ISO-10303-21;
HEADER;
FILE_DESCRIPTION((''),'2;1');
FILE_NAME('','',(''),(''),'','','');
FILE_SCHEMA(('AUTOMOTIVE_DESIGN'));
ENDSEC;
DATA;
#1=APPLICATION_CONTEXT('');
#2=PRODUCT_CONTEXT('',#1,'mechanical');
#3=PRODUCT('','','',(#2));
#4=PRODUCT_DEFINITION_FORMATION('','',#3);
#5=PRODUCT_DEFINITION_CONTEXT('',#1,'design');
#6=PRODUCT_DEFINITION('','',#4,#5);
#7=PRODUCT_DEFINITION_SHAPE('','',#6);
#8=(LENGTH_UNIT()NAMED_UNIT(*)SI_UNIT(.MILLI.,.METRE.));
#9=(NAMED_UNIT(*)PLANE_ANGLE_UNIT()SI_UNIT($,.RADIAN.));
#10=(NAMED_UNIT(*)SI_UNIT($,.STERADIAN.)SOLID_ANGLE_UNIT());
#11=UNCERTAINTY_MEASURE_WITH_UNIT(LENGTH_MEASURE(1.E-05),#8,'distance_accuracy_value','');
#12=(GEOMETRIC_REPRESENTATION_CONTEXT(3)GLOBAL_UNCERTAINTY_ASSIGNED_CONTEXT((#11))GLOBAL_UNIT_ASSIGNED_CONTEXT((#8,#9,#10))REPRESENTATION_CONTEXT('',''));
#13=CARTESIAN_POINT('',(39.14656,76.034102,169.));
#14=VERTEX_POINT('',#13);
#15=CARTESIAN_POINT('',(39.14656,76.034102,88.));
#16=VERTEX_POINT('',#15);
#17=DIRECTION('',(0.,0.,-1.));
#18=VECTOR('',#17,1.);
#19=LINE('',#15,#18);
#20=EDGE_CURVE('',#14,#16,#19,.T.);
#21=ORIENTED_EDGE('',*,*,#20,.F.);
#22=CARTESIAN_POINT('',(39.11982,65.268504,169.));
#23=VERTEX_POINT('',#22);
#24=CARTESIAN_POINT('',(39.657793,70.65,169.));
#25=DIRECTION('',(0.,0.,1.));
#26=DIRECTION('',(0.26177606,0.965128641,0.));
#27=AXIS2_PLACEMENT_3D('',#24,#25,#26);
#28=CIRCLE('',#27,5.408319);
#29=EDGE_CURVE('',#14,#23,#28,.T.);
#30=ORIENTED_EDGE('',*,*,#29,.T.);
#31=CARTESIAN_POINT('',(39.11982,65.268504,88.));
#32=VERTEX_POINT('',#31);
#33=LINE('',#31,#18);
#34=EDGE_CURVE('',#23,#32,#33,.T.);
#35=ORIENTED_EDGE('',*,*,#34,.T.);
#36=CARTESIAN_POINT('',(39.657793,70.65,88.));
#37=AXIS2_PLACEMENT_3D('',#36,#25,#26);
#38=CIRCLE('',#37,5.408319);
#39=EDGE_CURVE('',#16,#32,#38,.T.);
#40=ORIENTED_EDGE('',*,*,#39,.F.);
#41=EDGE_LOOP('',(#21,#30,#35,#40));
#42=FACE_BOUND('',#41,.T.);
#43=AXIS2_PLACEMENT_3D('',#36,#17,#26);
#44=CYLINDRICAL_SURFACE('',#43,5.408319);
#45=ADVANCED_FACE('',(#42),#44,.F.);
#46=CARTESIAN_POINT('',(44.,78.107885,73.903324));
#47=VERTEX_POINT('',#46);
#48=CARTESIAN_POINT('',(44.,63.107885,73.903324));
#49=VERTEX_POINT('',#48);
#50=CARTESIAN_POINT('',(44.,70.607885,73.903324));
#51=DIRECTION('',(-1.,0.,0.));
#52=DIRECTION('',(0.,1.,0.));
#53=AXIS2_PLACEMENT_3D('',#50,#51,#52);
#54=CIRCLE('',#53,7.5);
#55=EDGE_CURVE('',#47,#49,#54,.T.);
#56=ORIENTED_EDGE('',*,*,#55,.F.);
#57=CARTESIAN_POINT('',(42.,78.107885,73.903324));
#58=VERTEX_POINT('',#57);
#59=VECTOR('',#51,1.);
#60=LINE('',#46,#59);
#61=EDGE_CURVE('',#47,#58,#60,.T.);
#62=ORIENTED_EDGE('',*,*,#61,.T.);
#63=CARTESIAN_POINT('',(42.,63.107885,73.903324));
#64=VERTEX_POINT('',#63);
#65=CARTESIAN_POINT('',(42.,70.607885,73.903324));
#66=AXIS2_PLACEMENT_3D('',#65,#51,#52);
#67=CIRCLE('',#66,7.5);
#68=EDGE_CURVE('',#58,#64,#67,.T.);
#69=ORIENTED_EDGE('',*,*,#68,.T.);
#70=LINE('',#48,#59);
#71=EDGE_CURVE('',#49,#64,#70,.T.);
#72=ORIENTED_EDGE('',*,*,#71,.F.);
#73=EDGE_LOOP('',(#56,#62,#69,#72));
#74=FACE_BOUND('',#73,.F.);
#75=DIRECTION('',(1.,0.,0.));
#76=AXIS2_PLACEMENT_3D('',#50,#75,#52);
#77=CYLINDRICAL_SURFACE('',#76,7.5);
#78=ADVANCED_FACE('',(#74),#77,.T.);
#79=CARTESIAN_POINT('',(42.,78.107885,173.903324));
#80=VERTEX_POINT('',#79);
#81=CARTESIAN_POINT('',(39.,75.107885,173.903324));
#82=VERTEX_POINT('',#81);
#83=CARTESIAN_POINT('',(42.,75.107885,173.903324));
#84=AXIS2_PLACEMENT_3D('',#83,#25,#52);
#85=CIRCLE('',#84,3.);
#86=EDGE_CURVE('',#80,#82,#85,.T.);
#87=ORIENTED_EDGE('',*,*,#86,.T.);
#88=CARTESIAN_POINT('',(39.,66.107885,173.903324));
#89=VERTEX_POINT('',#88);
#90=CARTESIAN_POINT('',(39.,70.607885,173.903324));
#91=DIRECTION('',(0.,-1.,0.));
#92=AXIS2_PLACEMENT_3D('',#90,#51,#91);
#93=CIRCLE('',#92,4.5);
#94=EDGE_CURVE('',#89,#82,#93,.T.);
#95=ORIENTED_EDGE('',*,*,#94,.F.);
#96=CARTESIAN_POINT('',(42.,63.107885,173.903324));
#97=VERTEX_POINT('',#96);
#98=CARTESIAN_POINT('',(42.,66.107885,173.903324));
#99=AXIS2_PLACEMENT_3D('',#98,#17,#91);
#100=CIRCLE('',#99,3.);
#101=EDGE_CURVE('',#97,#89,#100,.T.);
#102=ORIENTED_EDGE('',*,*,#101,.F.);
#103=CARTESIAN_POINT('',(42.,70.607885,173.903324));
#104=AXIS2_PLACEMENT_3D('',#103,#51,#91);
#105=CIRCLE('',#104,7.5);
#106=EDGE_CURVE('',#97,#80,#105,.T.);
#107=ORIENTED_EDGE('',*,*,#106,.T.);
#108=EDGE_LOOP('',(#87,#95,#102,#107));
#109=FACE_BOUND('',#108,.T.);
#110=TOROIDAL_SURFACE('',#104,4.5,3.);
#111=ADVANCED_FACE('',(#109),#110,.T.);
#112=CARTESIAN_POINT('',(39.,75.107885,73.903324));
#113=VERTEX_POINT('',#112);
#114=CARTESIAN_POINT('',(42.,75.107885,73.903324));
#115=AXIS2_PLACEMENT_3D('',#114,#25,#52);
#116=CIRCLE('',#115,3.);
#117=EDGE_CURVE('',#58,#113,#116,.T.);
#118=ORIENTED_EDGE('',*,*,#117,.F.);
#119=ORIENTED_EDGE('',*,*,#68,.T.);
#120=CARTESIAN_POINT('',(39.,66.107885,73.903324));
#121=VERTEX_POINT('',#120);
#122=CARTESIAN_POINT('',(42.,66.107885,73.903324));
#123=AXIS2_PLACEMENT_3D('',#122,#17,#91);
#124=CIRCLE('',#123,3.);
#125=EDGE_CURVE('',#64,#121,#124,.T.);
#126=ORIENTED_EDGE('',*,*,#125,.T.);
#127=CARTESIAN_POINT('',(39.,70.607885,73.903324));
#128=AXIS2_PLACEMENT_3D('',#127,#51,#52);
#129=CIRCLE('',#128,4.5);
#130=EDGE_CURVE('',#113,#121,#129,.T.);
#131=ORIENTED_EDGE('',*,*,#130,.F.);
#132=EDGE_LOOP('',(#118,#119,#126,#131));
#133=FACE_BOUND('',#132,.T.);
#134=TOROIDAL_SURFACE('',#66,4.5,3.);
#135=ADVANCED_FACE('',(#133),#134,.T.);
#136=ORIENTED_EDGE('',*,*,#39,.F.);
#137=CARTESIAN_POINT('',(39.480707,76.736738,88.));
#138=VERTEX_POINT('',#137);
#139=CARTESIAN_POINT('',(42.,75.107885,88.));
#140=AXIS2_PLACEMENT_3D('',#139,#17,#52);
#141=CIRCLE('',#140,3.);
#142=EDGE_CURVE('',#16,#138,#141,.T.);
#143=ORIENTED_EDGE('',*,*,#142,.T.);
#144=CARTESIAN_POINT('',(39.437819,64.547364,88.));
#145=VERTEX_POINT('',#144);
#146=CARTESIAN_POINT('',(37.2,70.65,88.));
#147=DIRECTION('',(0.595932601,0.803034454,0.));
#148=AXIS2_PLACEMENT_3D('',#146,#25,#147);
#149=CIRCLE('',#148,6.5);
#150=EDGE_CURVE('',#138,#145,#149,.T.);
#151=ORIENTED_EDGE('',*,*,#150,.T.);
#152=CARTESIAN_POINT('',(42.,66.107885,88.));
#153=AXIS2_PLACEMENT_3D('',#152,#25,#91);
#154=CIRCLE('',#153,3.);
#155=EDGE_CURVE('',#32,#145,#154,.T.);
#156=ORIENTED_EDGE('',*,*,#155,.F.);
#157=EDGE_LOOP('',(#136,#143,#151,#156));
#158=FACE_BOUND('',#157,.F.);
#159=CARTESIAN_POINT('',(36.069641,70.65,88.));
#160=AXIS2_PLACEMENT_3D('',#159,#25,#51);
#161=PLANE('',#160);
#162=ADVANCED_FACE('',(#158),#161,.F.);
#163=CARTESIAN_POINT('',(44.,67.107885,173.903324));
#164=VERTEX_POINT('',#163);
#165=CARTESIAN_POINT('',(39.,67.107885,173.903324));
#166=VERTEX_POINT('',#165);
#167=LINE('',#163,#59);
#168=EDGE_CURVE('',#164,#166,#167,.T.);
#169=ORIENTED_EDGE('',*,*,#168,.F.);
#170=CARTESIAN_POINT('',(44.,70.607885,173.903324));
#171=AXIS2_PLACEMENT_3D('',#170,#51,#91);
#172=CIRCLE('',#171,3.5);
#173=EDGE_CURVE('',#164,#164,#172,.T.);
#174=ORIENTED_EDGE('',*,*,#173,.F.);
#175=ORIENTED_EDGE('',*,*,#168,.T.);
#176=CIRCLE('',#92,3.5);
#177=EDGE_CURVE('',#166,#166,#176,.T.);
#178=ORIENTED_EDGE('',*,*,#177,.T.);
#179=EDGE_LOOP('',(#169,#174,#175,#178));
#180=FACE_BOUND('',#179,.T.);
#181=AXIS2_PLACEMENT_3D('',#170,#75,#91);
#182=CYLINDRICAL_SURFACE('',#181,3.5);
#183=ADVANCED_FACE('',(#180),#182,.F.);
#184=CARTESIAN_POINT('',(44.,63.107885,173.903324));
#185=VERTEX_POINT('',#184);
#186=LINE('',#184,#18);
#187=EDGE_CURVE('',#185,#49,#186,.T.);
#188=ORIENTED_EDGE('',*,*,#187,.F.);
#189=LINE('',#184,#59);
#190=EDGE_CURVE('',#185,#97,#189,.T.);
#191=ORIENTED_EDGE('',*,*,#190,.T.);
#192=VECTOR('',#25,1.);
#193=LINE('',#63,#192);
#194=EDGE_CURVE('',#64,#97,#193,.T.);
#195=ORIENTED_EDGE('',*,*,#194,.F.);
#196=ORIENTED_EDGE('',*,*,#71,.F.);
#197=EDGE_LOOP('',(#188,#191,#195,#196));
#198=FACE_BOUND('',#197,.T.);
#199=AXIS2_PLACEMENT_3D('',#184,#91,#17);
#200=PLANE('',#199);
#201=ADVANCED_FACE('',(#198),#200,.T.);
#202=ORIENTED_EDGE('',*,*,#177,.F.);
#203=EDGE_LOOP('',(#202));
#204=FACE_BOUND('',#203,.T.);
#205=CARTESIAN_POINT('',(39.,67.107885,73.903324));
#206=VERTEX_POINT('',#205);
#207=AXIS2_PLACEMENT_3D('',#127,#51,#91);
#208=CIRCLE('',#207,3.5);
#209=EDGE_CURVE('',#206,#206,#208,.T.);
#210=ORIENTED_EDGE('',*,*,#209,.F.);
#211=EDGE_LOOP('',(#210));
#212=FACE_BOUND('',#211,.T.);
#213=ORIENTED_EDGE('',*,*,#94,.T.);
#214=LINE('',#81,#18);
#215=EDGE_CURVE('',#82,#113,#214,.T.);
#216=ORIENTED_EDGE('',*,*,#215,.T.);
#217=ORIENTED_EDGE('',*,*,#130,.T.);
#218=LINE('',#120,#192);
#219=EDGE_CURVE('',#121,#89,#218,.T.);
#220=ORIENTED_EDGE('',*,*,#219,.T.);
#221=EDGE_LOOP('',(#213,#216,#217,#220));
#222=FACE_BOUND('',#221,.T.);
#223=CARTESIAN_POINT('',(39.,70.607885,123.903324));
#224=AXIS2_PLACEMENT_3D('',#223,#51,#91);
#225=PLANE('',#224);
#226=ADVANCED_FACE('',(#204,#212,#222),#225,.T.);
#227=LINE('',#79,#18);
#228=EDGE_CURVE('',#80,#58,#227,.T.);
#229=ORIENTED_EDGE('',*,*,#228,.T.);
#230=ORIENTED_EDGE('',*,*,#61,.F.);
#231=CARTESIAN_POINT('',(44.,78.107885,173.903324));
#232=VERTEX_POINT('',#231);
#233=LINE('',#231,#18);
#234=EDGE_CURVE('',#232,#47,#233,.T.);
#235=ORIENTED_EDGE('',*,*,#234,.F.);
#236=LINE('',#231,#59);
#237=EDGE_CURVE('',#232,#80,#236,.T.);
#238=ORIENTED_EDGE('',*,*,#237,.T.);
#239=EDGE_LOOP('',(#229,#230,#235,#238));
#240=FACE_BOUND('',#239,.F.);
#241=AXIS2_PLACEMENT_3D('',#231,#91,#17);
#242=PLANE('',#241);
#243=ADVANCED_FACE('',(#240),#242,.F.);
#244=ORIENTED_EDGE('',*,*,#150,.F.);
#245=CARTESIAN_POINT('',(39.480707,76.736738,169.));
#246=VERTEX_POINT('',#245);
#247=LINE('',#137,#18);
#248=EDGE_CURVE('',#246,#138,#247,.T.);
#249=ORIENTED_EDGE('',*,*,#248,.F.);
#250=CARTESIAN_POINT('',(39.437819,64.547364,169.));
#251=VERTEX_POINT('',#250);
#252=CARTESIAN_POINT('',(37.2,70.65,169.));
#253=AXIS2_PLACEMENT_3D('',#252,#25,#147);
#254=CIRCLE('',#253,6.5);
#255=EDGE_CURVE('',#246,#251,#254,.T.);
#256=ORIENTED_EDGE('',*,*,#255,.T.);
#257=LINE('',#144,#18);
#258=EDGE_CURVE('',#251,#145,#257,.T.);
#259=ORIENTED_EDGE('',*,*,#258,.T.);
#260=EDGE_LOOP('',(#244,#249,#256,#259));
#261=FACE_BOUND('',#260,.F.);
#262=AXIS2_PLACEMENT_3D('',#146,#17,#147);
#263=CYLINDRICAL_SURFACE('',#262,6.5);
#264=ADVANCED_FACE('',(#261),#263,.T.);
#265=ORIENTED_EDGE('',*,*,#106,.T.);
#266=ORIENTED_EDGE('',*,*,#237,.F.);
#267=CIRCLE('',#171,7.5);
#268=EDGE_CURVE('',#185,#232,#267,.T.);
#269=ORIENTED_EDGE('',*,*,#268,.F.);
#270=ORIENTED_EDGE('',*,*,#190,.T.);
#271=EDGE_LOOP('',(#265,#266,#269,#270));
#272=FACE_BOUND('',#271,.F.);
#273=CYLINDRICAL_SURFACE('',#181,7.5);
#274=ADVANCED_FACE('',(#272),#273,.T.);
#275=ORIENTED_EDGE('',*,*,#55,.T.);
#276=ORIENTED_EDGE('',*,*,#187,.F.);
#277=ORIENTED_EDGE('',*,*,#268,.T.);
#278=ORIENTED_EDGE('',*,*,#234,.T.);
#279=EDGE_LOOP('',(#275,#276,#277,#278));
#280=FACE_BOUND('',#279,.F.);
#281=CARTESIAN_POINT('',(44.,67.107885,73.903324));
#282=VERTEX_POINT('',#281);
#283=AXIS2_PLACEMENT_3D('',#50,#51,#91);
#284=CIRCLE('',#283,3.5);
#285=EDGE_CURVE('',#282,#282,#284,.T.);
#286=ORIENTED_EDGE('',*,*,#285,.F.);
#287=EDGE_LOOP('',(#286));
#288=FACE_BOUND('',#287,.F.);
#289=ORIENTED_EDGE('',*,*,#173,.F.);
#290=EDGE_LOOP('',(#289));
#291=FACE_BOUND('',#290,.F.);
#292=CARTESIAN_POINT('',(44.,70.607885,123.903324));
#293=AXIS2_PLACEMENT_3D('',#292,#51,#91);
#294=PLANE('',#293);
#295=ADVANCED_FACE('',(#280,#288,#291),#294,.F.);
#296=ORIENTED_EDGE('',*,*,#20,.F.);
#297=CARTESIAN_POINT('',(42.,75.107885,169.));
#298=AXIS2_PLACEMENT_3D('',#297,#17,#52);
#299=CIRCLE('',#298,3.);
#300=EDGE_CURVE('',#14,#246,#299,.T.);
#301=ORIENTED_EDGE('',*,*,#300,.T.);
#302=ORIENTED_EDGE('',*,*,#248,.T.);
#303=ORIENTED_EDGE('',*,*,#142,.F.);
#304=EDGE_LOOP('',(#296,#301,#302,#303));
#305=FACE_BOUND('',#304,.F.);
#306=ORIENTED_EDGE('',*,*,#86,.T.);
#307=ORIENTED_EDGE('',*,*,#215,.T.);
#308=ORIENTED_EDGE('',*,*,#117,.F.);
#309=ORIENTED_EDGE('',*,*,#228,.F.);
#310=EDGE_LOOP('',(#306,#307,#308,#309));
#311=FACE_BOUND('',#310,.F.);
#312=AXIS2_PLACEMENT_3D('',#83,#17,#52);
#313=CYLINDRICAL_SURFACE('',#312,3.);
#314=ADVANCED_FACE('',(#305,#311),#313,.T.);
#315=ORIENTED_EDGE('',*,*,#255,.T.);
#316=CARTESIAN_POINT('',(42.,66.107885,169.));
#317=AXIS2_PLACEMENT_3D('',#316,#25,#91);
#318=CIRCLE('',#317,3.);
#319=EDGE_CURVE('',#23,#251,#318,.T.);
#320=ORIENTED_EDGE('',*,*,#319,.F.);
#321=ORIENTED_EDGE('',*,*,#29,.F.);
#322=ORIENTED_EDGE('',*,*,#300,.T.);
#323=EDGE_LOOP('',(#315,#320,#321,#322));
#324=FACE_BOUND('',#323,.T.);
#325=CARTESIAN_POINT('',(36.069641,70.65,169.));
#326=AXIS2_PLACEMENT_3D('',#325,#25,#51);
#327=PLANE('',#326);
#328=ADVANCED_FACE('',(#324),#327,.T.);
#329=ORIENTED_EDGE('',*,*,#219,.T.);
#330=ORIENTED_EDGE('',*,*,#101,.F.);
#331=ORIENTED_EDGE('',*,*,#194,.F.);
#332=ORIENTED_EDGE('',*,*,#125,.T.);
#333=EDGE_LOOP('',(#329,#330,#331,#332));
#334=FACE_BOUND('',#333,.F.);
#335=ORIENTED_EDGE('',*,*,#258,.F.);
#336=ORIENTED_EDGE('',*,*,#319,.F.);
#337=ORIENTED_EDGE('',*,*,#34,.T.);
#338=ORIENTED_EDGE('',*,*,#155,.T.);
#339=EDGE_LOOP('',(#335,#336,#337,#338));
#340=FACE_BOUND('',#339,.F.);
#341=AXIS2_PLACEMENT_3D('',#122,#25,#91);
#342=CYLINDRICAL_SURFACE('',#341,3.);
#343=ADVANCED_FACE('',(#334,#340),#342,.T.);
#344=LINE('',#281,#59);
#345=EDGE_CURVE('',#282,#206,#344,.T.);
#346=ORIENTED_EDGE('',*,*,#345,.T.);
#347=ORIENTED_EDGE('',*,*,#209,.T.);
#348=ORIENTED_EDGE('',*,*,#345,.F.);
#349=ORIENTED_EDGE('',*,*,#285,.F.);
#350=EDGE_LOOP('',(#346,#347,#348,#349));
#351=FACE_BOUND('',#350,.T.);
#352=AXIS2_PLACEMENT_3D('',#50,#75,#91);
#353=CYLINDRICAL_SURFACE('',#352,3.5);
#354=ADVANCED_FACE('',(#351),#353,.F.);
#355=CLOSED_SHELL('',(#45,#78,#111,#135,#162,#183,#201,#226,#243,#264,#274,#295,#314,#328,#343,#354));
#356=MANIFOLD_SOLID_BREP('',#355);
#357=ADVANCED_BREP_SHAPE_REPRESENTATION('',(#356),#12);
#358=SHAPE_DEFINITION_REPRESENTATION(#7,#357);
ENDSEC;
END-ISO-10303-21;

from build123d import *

# Parameters (mm, degrees)
SKETCH002_R                = 3.5
EXTRUDE002_DEPTH           = 5
FILLET002_R                = 3
EXTRUDE025_DEPTH           = 81
EXTRUDE025_ROLL_ANGLE      = -90
EXTRUDE025_PLACEMENT_ANGLE = 180


with BuildPart() as palo_2_hombro:
    # Sketch002 → Extrude002 (new body)
    with BuildSketch(Plane(origin=(0, 0, 0), x_dir=(0, -1, 0), z_dir=(-1, 0, 0))):
        with BuildLine():
            ThreePointArc((-63.107885, 173.903324), (-70.607885, 181.403324), (-78.107885, 173.903324))
            Line((-78.107885, 173.903324), (-78.107885, 73.903324))
            ThreePointArc((-78.107885, 73.903324), (-70.607885, 66.403324), (-63.107885, 73.903324))
            Line((-63.107885, 173.903324), (-63.107885, 73.903324))
        make_face()
        with Locations((-70.607885, 73.903324)):
            Circle(SKETCH002_R, mode=Mode.SUBTRACT)
        with Locations((-70.607885, 173.903324)):
            Circle(SKETCH002_R, mode=Mode.SUBTRACT)
    extrude(amount=EXTRUDE002_DEPTH)


with BuildPart() as palo_2_hombro_1:
    # Extrude002 placement: moved
    add(palo_2_hombro.part.moved(Location((48, 0, 0))))

    # Fillet002
    fillet002_edges = [palo_2_hombro_1.edges().sort_by_distance(p)[0] for p in [
        (43, 78.107885, 123.903324),
    ]]
    fillet(fillet002_edges, radius=FILLET002_R)


with BuildPart() as fusion029:
    # Sketch026 → Extrude025 (new body)
    with BuildSketch(Plane.XZ):
        with BuildLine():
            ThreePointArc((-3.873562, -5.219724), (6.5, 0), (-3.873562, 5.219724))
            ThreePointArc((-3.873562, -5.219724), (2.950526, 0), (-3.873562, 5.219724))
        make_face()
    extrude(amount=EXTRUDE025_DEPTH)


with BuildPart() as fusion029_1:
    # Extrude025 roll: moved
    add(fusion029.part.rotate(Axis((0, 0, 0), (1, 0, 0)), EXTRUDE025_ROLL_ANGLE))


with BuildPart() as fusion029_2:
    # Extrude025 placement: moved
    add(fusion029_1.part.moved(Location((41.2, 70.65, 88))).rotate(Axis((41.2, 70.65, 88), (0, 0, 1)), EXTRUDE025_PLACEMENT_ANGLE))

    # Fusion029: union palo 2 hombro
    add(palo_2_hombro_1.part)


with BuildPart() as fusion029_3:
    # Fusion029 placement: moved
    add(fusion029_2.part.moved(Location((-4, 0, 0))))


solid = fusion029_3.part
